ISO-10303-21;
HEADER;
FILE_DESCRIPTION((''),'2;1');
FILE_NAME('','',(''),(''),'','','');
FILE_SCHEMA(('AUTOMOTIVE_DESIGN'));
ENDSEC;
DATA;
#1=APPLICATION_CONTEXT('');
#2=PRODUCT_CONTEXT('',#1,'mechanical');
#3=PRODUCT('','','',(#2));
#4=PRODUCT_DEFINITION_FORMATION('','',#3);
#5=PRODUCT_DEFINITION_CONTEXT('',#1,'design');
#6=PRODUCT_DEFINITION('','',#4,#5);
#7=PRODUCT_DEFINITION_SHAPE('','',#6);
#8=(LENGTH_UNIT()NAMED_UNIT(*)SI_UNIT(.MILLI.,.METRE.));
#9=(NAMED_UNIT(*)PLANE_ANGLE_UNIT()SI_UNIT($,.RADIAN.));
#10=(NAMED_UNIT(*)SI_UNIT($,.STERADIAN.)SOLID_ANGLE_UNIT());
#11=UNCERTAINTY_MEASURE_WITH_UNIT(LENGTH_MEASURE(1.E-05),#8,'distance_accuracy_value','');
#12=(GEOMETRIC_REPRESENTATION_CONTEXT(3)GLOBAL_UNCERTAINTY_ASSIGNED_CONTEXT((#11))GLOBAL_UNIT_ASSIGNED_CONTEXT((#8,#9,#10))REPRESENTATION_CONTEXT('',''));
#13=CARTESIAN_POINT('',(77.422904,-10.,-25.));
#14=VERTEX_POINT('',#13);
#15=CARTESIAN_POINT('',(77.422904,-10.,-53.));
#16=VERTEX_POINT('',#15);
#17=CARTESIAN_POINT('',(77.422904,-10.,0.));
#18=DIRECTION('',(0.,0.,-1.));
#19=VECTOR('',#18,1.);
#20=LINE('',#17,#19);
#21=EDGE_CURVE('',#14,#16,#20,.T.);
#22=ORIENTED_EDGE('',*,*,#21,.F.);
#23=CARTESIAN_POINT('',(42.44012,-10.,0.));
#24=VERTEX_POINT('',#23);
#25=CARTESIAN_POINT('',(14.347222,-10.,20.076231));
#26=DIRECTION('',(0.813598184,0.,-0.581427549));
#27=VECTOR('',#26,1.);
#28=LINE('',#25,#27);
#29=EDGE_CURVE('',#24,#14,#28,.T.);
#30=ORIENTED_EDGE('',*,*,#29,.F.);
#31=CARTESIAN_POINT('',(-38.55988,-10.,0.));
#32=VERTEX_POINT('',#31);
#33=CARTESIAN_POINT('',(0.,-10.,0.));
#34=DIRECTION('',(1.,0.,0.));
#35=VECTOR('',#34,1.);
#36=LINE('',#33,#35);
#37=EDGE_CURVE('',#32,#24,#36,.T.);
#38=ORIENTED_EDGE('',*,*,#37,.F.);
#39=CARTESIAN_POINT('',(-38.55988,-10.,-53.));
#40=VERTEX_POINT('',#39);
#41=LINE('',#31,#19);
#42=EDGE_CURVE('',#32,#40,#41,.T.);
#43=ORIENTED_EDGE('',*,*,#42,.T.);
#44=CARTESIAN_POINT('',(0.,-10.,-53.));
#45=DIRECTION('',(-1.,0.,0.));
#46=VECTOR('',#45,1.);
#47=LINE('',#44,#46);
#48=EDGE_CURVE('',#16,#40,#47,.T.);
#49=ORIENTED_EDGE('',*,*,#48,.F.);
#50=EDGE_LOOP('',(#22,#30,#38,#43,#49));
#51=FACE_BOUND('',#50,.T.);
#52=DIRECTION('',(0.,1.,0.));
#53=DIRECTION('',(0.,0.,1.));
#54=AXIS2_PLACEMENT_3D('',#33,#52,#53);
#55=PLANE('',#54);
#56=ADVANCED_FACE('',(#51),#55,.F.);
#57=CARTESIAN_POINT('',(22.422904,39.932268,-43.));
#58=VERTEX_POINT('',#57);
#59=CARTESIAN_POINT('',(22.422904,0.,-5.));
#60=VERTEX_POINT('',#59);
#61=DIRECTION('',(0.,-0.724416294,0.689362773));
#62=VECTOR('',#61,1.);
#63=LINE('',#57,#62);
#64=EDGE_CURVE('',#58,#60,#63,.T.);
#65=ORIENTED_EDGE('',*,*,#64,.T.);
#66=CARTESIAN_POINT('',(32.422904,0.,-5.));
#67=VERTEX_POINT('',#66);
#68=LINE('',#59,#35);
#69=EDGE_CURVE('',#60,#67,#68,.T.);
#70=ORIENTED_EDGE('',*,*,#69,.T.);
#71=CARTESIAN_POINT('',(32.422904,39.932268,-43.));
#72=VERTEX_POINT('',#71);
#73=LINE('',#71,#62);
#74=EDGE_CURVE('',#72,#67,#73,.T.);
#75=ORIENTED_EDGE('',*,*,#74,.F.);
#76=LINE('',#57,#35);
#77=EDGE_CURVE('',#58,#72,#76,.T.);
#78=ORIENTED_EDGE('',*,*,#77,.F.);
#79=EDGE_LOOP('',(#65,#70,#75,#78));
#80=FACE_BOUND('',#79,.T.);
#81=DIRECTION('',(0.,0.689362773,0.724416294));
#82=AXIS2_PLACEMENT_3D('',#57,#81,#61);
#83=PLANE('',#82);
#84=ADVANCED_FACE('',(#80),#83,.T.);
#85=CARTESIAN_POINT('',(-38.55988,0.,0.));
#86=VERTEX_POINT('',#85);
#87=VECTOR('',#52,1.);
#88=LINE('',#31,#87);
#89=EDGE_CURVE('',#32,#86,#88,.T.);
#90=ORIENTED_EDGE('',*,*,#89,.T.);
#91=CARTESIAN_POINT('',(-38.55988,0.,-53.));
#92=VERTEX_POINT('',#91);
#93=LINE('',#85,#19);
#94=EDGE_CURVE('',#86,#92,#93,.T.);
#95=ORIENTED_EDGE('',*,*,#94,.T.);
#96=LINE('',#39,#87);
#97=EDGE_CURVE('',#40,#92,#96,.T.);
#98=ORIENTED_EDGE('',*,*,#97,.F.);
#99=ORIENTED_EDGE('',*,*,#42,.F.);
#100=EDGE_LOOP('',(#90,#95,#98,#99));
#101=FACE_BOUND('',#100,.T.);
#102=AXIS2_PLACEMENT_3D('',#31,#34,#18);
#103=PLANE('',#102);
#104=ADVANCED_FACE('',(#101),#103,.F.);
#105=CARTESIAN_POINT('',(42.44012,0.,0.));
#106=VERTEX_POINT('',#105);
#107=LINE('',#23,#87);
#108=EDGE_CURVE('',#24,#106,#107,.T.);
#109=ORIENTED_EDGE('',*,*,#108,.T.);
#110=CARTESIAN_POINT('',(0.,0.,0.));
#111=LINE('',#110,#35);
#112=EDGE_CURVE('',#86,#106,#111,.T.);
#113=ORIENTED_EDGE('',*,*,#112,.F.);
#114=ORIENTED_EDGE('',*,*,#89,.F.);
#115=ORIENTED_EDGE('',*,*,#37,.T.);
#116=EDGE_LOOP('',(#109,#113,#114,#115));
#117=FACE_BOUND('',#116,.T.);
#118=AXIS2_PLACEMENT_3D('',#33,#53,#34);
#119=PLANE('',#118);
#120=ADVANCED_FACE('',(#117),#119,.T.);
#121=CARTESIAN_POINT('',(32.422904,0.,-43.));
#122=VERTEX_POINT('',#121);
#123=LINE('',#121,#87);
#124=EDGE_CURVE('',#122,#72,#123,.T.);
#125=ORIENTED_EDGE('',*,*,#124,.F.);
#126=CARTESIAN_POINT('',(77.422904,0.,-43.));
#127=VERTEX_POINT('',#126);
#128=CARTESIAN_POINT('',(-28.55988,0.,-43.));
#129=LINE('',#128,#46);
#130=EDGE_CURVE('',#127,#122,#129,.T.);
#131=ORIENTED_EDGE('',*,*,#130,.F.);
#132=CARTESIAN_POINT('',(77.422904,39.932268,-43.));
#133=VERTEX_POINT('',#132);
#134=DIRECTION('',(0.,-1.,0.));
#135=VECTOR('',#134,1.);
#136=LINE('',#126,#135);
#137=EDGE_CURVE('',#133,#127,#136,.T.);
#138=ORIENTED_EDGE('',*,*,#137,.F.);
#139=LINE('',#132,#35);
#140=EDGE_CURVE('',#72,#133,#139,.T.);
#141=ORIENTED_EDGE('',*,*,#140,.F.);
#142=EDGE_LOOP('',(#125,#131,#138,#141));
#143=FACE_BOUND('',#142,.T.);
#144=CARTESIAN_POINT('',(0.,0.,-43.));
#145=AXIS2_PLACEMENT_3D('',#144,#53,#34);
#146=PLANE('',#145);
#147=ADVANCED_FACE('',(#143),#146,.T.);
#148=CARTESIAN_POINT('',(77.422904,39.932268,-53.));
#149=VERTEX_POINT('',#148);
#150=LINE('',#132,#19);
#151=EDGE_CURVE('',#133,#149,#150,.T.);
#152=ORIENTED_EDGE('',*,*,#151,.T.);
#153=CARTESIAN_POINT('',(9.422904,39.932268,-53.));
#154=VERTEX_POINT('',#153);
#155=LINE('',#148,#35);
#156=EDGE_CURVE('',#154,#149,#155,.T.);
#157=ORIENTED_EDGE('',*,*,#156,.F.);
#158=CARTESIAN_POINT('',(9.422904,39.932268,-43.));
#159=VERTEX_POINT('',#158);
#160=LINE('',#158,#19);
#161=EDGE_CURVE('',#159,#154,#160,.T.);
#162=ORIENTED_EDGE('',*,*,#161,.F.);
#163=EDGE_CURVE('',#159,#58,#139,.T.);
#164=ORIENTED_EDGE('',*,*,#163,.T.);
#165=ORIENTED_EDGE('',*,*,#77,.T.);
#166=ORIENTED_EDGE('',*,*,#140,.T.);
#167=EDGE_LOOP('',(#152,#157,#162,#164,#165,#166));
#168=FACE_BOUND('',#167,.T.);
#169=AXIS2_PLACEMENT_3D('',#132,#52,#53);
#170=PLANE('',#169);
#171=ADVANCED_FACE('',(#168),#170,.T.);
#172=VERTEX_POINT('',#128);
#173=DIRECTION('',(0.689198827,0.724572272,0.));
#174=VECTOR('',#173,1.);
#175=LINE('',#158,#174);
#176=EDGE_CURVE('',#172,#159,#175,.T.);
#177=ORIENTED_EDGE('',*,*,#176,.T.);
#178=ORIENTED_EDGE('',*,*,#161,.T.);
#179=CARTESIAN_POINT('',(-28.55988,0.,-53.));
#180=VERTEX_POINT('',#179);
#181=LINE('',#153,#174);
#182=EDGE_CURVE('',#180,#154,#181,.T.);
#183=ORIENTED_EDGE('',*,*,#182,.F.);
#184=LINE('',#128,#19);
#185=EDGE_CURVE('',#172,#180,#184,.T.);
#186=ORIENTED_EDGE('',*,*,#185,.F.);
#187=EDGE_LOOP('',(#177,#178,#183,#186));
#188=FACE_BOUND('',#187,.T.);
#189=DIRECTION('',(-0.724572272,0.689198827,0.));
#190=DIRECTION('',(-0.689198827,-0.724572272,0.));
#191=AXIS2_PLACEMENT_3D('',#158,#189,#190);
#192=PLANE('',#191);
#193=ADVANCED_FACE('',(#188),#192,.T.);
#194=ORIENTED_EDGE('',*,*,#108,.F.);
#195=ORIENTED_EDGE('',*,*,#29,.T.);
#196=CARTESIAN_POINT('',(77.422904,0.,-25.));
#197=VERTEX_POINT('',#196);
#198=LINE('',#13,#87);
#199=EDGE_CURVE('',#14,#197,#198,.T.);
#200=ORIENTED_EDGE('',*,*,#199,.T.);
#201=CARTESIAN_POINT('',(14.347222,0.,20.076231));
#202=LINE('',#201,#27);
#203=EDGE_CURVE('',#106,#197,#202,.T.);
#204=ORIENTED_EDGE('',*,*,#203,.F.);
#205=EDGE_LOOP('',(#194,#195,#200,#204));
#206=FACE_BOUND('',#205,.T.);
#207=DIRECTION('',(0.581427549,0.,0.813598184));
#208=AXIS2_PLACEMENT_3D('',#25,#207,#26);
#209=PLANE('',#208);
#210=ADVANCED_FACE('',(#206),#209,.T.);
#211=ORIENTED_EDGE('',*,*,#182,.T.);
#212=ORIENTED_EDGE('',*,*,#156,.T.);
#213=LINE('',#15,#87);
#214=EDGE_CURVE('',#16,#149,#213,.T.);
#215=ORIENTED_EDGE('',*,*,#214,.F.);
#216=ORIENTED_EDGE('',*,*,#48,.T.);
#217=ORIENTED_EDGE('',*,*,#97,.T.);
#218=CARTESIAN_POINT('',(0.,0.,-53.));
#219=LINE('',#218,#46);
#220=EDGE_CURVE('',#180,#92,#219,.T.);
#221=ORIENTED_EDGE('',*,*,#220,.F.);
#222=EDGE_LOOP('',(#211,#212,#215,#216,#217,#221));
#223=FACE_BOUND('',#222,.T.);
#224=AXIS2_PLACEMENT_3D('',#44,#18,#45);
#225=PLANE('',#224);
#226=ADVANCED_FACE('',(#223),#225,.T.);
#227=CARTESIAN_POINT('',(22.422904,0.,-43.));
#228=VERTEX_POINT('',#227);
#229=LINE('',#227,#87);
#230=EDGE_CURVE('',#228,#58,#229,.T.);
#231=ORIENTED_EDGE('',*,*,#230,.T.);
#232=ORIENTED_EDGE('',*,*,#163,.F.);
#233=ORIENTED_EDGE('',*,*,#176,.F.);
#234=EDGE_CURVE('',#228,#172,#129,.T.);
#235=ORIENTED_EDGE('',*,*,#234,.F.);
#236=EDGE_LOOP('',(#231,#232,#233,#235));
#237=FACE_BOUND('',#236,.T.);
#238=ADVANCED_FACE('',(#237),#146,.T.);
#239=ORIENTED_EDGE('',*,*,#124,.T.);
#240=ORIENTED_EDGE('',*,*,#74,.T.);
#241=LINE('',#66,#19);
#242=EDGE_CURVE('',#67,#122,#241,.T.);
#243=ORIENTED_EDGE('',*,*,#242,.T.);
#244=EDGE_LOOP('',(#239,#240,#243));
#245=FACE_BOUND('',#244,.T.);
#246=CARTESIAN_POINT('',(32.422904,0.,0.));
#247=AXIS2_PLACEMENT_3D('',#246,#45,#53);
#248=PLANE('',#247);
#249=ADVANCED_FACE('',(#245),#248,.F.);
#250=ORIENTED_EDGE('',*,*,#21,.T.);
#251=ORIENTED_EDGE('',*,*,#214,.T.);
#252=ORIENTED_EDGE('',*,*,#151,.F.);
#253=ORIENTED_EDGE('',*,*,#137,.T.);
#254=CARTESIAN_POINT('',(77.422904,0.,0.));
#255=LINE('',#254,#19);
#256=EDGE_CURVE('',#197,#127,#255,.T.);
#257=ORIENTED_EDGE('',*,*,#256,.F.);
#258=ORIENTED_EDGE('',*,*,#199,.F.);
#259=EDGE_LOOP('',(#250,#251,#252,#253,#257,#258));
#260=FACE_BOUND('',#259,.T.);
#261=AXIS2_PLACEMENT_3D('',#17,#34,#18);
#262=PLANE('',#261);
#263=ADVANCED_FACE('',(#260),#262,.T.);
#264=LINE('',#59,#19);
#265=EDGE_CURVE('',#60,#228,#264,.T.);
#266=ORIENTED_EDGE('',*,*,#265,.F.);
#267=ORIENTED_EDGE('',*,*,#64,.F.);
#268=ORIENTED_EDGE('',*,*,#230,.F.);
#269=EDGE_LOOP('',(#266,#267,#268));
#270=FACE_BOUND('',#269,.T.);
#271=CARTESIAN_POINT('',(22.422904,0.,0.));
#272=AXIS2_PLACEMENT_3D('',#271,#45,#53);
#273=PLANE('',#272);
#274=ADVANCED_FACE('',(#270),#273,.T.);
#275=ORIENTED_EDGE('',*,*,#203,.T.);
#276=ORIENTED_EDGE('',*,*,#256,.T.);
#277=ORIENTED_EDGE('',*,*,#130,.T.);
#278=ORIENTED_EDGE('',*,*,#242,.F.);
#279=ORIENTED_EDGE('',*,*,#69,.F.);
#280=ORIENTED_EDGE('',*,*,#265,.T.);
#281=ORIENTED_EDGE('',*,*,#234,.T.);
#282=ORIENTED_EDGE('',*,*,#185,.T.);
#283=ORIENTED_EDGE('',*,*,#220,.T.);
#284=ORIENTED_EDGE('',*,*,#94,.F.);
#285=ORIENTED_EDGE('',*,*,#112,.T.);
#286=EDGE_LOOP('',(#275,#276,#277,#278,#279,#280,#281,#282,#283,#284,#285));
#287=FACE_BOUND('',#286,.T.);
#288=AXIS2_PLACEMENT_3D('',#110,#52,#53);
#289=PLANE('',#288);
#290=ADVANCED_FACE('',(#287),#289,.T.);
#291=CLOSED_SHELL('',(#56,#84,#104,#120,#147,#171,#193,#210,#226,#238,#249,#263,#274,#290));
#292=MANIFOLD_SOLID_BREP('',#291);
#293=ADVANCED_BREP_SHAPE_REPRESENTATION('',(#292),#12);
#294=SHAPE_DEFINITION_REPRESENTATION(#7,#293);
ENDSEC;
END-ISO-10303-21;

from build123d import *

# Parameters (mm, degrees)
SKETCH2_W           = 81
SKETCH2_H           = 53
BOSS_EXTRUDE1_DEPTH = 10
BOSS_EXTRUDE2_DEPTH = 10
BOSS_EXTRUDE3_DEPTH = 10


with BuildPart() as part:
    # Sketch2 → Boss-Extrude1 (new body)
    with BuildSketch(Plane(origin=(0, 0, 0), x_dir=(1, 0, 0), z_dir=(0, 1, 0))):
        Polygon((77.422904192, 25), (77.422904192, 53), (42.44011976, 53), (42.44011976, 0), align=None)
        with Locations((1.94011976, 26.5)):
            Rectangle(SKETCH2_W, SKETCH2_H)
    extrude(amount=-BOSS_EXTRUDE1_DEPTH)

    # Sketch3 → Boss-Extrude2 (add)
    with BuildSketch(Plane(origin=(0, 0, -53), x_dir=(-1, 0, 0), z_dir=(0, 0, -1))):
        Polygon((-77.422904192, 0), (-77.422904192, 39.932268243), (-9.422904192, 39.932268243), (28.55988024, 0), align=None)
    extrude(amount=-BOSS_EXTRUDE2_DEPTH)

    # Sketch4 → Boss-Extrude3 (add)
    with BuildSketch(Plane(origin=(32.422904192, 0, 0), x_dir=(0, 0, -1), z_dir=(1, 0, 0))):
        Polygon((43, 39.932268243), (5, 0), (43, 0), align=None)
    extrude(amount=-BOSS_EXTRUDE3_DEPTH)


solid = part.part
